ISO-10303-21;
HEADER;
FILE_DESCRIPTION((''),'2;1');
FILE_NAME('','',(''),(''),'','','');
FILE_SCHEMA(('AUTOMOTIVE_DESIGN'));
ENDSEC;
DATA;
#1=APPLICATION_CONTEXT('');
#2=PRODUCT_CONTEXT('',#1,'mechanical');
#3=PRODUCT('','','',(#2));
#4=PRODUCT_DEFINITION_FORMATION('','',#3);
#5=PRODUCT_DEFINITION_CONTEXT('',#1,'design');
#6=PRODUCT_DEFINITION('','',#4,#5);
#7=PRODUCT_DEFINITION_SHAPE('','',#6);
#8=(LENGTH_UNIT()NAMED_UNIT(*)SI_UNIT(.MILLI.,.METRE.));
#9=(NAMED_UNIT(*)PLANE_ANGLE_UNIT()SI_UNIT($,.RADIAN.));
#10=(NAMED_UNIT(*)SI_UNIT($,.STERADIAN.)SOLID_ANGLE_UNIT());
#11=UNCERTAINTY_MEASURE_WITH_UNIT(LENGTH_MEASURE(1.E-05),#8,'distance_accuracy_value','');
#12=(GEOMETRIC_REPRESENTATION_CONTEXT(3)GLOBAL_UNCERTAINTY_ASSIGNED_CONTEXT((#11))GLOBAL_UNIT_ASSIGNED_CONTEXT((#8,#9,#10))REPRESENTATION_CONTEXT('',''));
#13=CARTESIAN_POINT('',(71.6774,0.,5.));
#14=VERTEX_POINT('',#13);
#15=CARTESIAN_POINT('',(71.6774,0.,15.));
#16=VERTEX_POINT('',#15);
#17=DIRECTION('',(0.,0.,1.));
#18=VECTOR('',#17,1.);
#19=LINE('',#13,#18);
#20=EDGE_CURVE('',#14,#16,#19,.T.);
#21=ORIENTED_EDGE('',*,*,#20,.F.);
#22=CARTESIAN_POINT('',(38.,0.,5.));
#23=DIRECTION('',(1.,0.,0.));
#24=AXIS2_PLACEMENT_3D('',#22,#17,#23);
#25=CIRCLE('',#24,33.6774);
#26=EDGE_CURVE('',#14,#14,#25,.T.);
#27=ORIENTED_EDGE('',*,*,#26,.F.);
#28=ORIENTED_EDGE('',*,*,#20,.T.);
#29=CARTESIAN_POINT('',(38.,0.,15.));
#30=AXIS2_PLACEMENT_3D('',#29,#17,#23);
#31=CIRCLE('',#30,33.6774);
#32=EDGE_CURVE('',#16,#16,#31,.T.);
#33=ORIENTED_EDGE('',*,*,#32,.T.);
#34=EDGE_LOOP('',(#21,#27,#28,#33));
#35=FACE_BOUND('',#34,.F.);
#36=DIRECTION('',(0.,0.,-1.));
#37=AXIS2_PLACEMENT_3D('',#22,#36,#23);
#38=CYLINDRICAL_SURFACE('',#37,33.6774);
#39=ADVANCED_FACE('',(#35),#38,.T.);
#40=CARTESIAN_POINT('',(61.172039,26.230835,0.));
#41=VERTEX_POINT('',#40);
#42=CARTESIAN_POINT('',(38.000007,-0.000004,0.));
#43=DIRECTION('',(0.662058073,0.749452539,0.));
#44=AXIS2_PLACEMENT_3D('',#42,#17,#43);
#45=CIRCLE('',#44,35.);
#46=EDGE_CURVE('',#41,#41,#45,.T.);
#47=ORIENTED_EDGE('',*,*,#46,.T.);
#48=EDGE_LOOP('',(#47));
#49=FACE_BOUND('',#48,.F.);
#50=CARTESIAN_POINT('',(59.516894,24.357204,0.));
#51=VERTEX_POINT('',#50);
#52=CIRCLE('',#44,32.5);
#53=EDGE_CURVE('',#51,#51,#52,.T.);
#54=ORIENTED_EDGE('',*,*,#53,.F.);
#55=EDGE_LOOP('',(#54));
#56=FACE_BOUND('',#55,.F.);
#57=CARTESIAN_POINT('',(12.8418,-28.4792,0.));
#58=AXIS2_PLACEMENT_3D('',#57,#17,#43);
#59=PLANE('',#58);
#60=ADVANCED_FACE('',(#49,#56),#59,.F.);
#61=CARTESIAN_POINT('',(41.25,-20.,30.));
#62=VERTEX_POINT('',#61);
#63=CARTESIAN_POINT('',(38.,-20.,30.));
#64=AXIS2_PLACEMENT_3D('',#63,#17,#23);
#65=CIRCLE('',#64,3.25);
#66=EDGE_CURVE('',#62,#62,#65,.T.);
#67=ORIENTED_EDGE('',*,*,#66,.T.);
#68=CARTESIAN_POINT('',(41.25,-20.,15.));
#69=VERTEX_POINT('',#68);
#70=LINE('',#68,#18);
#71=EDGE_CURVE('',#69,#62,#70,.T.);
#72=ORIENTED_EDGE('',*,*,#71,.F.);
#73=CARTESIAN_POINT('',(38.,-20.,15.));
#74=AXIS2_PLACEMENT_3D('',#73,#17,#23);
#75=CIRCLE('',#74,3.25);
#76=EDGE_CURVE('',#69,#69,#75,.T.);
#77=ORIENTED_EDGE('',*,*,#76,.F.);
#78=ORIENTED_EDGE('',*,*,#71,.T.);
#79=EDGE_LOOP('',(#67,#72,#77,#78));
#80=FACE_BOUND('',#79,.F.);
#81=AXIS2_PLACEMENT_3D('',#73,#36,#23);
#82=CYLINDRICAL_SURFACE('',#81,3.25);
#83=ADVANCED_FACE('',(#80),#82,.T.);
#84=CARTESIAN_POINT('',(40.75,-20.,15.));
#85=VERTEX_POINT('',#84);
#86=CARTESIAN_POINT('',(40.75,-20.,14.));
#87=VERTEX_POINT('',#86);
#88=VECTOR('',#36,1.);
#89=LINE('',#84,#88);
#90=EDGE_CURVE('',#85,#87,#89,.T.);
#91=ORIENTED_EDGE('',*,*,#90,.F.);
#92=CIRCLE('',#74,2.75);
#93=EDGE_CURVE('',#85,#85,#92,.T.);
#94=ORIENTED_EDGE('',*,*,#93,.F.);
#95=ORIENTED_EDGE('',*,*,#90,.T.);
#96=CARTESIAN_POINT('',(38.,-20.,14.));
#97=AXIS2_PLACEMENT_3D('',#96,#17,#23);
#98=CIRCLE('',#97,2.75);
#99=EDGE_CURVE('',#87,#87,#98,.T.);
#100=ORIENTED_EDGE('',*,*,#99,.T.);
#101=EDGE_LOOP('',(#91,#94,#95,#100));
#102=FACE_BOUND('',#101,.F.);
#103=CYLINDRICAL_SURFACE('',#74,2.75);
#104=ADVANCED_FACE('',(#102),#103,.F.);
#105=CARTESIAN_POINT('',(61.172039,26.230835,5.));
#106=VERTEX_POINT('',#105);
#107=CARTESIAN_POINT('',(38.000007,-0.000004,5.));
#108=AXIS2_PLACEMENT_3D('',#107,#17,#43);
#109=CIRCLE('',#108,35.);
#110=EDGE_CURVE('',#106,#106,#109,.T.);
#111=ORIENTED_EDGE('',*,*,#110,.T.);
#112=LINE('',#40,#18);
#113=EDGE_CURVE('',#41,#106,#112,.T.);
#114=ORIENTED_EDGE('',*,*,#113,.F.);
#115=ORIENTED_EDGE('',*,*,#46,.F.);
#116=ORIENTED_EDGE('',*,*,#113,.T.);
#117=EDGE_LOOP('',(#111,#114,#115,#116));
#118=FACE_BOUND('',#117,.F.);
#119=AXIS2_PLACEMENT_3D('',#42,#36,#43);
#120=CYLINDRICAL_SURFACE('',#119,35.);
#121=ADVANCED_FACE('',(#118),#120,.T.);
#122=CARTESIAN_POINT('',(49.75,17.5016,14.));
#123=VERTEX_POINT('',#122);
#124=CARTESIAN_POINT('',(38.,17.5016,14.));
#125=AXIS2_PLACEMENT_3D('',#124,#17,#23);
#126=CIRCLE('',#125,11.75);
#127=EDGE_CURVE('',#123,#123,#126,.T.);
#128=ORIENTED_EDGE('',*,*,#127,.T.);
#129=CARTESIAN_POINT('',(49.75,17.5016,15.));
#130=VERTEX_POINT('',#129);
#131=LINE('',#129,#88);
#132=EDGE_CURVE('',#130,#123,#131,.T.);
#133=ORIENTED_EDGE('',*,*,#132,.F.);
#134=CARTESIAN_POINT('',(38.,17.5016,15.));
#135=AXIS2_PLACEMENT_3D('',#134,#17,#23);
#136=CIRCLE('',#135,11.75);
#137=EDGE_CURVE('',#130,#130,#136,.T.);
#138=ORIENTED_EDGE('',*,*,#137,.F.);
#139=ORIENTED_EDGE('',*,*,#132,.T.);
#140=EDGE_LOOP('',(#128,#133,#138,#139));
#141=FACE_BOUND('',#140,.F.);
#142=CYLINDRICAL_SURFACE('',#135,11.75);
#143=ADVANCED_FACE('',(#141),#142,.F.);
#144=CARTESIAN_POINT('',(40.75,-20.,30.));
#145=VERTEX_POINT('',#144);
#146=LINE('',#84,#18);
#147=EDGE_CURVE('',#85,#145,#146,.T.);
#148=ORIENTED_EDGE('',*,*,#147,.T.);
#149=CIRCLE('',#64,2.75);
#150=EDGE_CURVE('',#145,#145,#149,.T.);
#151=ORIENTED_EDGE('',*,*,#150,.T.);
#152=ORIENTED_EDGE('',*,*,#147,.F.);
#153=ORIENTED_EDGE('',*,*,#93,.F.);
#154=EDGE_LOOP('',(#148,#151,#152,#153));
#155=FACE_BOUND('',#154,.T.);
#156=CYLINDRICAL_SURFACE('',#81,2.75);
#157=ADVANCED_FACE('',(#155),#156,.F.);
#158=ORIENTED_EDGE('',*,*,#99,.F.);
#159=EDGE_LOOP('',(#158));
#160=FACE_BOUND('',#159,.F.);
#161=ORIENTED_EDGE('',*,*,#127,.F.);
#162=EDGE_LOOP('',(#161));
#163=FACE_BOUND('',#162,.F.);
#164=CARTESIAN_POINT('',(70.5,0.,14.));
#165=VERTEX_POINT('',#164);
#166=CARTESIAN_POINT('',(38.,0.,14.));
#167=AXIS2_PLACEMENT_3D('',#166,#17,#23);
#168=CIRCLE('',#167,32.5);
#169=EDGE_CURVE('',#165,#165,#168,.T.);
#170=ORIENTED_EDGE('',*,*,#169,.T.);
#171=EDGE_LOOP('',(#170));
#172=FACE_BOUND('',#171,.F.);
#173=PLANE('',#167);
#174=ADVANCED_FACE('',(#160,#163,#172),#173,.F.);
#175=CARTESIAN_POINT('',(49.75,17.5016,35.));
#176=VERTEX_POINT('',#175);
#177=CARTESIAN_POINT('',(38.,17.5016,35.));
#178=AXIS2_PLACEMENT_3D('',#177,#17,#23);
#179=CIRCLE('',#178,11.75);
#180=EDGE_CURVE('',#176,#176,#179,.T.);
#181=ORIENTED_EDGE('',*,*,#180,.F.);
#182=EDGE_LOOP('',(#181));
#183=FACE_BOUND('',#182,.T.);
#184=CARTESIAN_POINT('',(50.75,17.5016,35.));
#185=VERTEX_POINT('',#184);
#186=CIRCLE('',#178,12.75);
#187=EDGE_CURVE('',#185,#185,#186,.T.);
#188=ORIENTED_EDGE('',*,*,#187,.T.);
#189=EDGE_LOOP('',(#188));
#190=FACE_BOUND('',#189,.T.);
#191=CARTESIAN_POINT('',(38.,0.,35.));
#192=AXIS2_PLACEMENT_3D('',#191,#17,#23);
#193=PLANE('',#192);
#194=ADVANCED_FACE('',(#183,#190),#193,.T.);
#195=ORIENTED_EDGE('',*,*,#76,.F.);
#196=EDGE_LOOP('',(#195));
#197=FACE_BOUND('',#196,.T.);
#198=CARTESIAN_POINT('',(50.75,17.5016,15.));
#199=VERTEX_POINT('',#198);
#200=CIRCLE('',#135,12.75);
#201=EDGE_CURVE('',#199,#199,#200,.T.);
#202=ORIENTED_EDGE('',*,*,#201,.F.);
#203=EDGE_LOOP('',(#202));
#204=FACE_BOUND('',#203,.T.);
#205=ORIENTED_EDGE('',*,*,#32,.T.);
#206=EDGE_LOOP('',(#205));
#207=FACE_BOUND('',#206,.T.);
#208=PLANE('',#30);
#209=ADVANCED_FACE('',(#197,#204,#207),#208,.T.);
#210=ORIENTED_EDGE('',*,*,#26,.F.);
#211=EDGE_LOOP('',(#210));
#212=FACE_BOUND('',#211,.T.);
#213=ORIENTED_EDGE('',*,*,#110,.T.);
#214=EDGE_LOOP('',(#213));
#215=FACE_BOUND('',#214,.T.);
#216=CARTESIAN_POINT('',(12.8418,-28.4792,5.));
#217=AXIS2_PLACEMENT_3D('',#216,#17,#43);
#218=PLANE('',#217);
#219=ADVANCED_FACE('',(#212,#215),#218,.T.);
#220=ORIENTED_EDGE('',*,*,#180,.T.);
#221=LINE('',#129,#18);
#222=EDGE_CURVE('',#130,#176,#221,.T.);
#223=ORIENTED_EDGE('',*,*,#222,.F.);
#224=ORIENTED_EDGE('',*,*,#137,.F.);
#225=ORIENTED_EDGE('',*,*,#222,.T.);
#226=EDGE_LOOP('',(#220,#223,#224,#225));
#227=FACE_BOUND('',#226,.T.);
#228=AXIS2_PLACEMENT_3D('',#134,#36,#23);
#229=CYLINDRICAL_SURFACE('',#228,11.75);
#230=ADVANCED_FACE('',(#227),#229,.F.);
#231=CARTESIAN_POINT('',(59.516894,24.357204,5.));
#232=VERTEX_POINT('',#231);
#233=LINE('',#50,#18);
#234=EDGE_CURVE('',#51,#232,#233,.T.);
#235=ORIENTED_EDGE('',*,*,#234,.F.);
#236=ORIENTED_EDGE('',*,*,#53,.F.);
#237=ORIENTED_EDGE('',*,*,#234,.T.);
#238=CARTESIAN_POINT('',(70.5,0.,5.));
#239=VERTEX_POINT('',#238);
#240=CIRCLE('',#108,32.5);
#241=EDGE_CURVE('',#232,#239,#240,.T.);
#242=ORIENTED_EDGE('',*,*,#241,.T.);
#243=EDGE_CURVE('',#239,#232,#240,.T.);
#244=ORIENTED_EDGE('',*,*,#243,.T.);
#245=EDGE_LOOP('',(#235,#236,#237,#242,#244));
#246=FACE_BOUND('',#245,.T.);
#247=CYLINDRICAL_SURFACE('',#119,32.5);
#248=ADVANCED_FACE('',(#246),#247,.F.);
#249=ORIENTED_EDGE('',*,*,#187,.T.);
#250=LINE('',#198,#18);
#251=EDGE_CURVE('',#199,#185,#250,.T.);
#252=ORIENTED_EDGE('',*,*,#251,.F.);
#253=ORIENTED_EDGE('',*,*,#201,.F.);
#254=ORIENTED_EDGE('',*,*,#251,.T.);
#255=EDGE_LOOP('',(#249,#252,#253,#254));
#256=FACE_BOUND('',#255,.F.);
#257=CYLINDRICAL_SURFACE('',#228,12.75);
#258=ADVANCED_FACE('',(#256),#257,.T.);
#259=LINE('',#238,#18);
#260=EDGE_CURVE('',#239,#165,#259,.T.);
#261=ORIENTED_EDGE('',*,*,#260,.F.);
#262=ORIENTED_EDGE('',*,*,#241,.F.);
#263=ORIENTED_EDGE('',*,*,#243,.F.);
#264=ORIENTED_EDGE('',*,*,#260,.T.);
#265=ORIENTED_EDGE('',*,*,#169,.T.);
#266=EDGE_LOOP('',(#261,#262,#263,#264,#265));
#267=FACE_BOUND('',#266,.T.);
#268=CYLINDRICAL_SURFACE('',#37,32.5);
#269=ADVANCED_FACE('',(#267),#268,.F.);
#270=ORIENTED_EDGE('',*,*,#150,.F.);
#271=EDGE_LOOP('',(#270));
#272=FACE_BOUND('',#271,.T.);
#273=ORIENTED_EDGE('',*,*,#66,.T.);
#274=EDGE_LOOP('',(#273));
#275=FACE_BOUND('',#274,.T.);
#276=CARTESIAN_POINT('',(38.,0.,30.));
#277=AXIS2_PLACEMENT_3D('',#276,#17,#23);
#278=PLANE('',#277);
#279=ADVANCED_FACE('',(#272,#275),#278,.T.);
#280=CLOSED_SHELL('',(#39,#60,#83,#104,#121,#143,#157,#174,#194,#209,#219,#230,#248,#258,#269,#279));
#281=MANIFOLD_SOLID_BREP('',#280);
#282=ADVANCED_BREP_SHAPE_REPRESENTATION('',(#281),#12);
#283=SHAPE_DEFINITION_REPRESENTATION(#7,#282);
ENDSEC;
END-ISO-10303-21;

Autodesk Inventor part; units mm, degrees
ref_plane "YZ Plane" through (0, 0, 0) normal (1, 0, 0) x (0, 1, 0)
ref_plane "XZ Plane" through (0, 0, 0) normal (0, 1, 0) x (-1, 0, 0)
ref_plane "XY Plane" through (0, 0, 0) normal (0, 0, 1) x (1, 0, 0)
ref_plane "Plano de trabalho1" through (12.8418, -28.4792, 0) normal (0, 0, 1) x (0.6621, 0.7495, 0)
sketch "Esboço1" plane through (12.8418, -28.4792, 0) normal (0, 0, 1) x (0.6621, 0.7495, 0)
  circle A0 centre (38, 0) radius 32.5 projected
  circle A1 centre (38, 0) radius 35
  point P0 (12.8418, 28.4792)
  dimension "d0" = 70
extrude "Extrusão1" add sketch "Esboço1" along normal blind 5
sketch "Esboço2" plane through (38, 0, 5) normal (0, 0, 1) x (1, 0, 0)
  circle A0 centre (0, 0) radius 34.6774 projected
  circle A1 centre (0, 0) radius 32.5 projected
  circle A2 centre (0, 0) radius 33.6774
  point P0 (-38, 0)
  dimension "d3" = 1
extrude "Extrusão2" add sketch "Esboço2" along normal blind 10 contours A2
sketch "Esboço3" plane through (38, 0, 15) normal (0, 0, 1) x (1, 0, 0)
  circle A0 centre (0, 0) radius 32.5 projected
  point P0 (-38, 0)
extrude "Extrusão3" add sketch "Esboço3" against normal blind 1
sketch "Esboço4" plane through (38, 0, 15) normal (0, 0, 1) x (1, 0, 0)
  circle A0 centre (0, 0) radius 33.6774 projected
  circle A1 centre (0, 17.5016) radius 12.75
  circle A2 centre (0, 17.5016) radius 11.75
  point P0 (-38, 0)
  dimension "d8" = 25.5
  dimension "d9" = 1
extrude "Extrusão4" add sketch "Esboço4" along normal blind 20 contours A1
sketch "Esboço5" plane through (38, 0, 15) normal (0, 0, 1) x (1, 0, 0)
  circle A0 centre (0, 0) radius 33.6774 projected
  circle A1 centre (0, 17.5016) radius 12.75 projected
  circle A2 centre (0, -20) radius 3.25
  circle A3 centre (0, -20) radius 2.75
  point P0 (-38, 0)
  dimension "d12" = 6.5
  dimension "d14" = 0.5
  dimension "d15" = 20
extrude "Extrusão5" add sketch "Esboço5" along normal blind 15 contours A2
sketch "Esboço6" plane through (38, 0, 15) normal (0, 0, 1) x (1, 0, 0)
  circle A0 centre (0, -20) radius 2.75 projected
  circle A1 centre (0, 17.5016) radius 11.75 projected
  point P0 (-38, 0)
extrude "Extrusão6" cut sketch "Esboço6" against normal blind 15
properties part number "Tampa de Entrada"
